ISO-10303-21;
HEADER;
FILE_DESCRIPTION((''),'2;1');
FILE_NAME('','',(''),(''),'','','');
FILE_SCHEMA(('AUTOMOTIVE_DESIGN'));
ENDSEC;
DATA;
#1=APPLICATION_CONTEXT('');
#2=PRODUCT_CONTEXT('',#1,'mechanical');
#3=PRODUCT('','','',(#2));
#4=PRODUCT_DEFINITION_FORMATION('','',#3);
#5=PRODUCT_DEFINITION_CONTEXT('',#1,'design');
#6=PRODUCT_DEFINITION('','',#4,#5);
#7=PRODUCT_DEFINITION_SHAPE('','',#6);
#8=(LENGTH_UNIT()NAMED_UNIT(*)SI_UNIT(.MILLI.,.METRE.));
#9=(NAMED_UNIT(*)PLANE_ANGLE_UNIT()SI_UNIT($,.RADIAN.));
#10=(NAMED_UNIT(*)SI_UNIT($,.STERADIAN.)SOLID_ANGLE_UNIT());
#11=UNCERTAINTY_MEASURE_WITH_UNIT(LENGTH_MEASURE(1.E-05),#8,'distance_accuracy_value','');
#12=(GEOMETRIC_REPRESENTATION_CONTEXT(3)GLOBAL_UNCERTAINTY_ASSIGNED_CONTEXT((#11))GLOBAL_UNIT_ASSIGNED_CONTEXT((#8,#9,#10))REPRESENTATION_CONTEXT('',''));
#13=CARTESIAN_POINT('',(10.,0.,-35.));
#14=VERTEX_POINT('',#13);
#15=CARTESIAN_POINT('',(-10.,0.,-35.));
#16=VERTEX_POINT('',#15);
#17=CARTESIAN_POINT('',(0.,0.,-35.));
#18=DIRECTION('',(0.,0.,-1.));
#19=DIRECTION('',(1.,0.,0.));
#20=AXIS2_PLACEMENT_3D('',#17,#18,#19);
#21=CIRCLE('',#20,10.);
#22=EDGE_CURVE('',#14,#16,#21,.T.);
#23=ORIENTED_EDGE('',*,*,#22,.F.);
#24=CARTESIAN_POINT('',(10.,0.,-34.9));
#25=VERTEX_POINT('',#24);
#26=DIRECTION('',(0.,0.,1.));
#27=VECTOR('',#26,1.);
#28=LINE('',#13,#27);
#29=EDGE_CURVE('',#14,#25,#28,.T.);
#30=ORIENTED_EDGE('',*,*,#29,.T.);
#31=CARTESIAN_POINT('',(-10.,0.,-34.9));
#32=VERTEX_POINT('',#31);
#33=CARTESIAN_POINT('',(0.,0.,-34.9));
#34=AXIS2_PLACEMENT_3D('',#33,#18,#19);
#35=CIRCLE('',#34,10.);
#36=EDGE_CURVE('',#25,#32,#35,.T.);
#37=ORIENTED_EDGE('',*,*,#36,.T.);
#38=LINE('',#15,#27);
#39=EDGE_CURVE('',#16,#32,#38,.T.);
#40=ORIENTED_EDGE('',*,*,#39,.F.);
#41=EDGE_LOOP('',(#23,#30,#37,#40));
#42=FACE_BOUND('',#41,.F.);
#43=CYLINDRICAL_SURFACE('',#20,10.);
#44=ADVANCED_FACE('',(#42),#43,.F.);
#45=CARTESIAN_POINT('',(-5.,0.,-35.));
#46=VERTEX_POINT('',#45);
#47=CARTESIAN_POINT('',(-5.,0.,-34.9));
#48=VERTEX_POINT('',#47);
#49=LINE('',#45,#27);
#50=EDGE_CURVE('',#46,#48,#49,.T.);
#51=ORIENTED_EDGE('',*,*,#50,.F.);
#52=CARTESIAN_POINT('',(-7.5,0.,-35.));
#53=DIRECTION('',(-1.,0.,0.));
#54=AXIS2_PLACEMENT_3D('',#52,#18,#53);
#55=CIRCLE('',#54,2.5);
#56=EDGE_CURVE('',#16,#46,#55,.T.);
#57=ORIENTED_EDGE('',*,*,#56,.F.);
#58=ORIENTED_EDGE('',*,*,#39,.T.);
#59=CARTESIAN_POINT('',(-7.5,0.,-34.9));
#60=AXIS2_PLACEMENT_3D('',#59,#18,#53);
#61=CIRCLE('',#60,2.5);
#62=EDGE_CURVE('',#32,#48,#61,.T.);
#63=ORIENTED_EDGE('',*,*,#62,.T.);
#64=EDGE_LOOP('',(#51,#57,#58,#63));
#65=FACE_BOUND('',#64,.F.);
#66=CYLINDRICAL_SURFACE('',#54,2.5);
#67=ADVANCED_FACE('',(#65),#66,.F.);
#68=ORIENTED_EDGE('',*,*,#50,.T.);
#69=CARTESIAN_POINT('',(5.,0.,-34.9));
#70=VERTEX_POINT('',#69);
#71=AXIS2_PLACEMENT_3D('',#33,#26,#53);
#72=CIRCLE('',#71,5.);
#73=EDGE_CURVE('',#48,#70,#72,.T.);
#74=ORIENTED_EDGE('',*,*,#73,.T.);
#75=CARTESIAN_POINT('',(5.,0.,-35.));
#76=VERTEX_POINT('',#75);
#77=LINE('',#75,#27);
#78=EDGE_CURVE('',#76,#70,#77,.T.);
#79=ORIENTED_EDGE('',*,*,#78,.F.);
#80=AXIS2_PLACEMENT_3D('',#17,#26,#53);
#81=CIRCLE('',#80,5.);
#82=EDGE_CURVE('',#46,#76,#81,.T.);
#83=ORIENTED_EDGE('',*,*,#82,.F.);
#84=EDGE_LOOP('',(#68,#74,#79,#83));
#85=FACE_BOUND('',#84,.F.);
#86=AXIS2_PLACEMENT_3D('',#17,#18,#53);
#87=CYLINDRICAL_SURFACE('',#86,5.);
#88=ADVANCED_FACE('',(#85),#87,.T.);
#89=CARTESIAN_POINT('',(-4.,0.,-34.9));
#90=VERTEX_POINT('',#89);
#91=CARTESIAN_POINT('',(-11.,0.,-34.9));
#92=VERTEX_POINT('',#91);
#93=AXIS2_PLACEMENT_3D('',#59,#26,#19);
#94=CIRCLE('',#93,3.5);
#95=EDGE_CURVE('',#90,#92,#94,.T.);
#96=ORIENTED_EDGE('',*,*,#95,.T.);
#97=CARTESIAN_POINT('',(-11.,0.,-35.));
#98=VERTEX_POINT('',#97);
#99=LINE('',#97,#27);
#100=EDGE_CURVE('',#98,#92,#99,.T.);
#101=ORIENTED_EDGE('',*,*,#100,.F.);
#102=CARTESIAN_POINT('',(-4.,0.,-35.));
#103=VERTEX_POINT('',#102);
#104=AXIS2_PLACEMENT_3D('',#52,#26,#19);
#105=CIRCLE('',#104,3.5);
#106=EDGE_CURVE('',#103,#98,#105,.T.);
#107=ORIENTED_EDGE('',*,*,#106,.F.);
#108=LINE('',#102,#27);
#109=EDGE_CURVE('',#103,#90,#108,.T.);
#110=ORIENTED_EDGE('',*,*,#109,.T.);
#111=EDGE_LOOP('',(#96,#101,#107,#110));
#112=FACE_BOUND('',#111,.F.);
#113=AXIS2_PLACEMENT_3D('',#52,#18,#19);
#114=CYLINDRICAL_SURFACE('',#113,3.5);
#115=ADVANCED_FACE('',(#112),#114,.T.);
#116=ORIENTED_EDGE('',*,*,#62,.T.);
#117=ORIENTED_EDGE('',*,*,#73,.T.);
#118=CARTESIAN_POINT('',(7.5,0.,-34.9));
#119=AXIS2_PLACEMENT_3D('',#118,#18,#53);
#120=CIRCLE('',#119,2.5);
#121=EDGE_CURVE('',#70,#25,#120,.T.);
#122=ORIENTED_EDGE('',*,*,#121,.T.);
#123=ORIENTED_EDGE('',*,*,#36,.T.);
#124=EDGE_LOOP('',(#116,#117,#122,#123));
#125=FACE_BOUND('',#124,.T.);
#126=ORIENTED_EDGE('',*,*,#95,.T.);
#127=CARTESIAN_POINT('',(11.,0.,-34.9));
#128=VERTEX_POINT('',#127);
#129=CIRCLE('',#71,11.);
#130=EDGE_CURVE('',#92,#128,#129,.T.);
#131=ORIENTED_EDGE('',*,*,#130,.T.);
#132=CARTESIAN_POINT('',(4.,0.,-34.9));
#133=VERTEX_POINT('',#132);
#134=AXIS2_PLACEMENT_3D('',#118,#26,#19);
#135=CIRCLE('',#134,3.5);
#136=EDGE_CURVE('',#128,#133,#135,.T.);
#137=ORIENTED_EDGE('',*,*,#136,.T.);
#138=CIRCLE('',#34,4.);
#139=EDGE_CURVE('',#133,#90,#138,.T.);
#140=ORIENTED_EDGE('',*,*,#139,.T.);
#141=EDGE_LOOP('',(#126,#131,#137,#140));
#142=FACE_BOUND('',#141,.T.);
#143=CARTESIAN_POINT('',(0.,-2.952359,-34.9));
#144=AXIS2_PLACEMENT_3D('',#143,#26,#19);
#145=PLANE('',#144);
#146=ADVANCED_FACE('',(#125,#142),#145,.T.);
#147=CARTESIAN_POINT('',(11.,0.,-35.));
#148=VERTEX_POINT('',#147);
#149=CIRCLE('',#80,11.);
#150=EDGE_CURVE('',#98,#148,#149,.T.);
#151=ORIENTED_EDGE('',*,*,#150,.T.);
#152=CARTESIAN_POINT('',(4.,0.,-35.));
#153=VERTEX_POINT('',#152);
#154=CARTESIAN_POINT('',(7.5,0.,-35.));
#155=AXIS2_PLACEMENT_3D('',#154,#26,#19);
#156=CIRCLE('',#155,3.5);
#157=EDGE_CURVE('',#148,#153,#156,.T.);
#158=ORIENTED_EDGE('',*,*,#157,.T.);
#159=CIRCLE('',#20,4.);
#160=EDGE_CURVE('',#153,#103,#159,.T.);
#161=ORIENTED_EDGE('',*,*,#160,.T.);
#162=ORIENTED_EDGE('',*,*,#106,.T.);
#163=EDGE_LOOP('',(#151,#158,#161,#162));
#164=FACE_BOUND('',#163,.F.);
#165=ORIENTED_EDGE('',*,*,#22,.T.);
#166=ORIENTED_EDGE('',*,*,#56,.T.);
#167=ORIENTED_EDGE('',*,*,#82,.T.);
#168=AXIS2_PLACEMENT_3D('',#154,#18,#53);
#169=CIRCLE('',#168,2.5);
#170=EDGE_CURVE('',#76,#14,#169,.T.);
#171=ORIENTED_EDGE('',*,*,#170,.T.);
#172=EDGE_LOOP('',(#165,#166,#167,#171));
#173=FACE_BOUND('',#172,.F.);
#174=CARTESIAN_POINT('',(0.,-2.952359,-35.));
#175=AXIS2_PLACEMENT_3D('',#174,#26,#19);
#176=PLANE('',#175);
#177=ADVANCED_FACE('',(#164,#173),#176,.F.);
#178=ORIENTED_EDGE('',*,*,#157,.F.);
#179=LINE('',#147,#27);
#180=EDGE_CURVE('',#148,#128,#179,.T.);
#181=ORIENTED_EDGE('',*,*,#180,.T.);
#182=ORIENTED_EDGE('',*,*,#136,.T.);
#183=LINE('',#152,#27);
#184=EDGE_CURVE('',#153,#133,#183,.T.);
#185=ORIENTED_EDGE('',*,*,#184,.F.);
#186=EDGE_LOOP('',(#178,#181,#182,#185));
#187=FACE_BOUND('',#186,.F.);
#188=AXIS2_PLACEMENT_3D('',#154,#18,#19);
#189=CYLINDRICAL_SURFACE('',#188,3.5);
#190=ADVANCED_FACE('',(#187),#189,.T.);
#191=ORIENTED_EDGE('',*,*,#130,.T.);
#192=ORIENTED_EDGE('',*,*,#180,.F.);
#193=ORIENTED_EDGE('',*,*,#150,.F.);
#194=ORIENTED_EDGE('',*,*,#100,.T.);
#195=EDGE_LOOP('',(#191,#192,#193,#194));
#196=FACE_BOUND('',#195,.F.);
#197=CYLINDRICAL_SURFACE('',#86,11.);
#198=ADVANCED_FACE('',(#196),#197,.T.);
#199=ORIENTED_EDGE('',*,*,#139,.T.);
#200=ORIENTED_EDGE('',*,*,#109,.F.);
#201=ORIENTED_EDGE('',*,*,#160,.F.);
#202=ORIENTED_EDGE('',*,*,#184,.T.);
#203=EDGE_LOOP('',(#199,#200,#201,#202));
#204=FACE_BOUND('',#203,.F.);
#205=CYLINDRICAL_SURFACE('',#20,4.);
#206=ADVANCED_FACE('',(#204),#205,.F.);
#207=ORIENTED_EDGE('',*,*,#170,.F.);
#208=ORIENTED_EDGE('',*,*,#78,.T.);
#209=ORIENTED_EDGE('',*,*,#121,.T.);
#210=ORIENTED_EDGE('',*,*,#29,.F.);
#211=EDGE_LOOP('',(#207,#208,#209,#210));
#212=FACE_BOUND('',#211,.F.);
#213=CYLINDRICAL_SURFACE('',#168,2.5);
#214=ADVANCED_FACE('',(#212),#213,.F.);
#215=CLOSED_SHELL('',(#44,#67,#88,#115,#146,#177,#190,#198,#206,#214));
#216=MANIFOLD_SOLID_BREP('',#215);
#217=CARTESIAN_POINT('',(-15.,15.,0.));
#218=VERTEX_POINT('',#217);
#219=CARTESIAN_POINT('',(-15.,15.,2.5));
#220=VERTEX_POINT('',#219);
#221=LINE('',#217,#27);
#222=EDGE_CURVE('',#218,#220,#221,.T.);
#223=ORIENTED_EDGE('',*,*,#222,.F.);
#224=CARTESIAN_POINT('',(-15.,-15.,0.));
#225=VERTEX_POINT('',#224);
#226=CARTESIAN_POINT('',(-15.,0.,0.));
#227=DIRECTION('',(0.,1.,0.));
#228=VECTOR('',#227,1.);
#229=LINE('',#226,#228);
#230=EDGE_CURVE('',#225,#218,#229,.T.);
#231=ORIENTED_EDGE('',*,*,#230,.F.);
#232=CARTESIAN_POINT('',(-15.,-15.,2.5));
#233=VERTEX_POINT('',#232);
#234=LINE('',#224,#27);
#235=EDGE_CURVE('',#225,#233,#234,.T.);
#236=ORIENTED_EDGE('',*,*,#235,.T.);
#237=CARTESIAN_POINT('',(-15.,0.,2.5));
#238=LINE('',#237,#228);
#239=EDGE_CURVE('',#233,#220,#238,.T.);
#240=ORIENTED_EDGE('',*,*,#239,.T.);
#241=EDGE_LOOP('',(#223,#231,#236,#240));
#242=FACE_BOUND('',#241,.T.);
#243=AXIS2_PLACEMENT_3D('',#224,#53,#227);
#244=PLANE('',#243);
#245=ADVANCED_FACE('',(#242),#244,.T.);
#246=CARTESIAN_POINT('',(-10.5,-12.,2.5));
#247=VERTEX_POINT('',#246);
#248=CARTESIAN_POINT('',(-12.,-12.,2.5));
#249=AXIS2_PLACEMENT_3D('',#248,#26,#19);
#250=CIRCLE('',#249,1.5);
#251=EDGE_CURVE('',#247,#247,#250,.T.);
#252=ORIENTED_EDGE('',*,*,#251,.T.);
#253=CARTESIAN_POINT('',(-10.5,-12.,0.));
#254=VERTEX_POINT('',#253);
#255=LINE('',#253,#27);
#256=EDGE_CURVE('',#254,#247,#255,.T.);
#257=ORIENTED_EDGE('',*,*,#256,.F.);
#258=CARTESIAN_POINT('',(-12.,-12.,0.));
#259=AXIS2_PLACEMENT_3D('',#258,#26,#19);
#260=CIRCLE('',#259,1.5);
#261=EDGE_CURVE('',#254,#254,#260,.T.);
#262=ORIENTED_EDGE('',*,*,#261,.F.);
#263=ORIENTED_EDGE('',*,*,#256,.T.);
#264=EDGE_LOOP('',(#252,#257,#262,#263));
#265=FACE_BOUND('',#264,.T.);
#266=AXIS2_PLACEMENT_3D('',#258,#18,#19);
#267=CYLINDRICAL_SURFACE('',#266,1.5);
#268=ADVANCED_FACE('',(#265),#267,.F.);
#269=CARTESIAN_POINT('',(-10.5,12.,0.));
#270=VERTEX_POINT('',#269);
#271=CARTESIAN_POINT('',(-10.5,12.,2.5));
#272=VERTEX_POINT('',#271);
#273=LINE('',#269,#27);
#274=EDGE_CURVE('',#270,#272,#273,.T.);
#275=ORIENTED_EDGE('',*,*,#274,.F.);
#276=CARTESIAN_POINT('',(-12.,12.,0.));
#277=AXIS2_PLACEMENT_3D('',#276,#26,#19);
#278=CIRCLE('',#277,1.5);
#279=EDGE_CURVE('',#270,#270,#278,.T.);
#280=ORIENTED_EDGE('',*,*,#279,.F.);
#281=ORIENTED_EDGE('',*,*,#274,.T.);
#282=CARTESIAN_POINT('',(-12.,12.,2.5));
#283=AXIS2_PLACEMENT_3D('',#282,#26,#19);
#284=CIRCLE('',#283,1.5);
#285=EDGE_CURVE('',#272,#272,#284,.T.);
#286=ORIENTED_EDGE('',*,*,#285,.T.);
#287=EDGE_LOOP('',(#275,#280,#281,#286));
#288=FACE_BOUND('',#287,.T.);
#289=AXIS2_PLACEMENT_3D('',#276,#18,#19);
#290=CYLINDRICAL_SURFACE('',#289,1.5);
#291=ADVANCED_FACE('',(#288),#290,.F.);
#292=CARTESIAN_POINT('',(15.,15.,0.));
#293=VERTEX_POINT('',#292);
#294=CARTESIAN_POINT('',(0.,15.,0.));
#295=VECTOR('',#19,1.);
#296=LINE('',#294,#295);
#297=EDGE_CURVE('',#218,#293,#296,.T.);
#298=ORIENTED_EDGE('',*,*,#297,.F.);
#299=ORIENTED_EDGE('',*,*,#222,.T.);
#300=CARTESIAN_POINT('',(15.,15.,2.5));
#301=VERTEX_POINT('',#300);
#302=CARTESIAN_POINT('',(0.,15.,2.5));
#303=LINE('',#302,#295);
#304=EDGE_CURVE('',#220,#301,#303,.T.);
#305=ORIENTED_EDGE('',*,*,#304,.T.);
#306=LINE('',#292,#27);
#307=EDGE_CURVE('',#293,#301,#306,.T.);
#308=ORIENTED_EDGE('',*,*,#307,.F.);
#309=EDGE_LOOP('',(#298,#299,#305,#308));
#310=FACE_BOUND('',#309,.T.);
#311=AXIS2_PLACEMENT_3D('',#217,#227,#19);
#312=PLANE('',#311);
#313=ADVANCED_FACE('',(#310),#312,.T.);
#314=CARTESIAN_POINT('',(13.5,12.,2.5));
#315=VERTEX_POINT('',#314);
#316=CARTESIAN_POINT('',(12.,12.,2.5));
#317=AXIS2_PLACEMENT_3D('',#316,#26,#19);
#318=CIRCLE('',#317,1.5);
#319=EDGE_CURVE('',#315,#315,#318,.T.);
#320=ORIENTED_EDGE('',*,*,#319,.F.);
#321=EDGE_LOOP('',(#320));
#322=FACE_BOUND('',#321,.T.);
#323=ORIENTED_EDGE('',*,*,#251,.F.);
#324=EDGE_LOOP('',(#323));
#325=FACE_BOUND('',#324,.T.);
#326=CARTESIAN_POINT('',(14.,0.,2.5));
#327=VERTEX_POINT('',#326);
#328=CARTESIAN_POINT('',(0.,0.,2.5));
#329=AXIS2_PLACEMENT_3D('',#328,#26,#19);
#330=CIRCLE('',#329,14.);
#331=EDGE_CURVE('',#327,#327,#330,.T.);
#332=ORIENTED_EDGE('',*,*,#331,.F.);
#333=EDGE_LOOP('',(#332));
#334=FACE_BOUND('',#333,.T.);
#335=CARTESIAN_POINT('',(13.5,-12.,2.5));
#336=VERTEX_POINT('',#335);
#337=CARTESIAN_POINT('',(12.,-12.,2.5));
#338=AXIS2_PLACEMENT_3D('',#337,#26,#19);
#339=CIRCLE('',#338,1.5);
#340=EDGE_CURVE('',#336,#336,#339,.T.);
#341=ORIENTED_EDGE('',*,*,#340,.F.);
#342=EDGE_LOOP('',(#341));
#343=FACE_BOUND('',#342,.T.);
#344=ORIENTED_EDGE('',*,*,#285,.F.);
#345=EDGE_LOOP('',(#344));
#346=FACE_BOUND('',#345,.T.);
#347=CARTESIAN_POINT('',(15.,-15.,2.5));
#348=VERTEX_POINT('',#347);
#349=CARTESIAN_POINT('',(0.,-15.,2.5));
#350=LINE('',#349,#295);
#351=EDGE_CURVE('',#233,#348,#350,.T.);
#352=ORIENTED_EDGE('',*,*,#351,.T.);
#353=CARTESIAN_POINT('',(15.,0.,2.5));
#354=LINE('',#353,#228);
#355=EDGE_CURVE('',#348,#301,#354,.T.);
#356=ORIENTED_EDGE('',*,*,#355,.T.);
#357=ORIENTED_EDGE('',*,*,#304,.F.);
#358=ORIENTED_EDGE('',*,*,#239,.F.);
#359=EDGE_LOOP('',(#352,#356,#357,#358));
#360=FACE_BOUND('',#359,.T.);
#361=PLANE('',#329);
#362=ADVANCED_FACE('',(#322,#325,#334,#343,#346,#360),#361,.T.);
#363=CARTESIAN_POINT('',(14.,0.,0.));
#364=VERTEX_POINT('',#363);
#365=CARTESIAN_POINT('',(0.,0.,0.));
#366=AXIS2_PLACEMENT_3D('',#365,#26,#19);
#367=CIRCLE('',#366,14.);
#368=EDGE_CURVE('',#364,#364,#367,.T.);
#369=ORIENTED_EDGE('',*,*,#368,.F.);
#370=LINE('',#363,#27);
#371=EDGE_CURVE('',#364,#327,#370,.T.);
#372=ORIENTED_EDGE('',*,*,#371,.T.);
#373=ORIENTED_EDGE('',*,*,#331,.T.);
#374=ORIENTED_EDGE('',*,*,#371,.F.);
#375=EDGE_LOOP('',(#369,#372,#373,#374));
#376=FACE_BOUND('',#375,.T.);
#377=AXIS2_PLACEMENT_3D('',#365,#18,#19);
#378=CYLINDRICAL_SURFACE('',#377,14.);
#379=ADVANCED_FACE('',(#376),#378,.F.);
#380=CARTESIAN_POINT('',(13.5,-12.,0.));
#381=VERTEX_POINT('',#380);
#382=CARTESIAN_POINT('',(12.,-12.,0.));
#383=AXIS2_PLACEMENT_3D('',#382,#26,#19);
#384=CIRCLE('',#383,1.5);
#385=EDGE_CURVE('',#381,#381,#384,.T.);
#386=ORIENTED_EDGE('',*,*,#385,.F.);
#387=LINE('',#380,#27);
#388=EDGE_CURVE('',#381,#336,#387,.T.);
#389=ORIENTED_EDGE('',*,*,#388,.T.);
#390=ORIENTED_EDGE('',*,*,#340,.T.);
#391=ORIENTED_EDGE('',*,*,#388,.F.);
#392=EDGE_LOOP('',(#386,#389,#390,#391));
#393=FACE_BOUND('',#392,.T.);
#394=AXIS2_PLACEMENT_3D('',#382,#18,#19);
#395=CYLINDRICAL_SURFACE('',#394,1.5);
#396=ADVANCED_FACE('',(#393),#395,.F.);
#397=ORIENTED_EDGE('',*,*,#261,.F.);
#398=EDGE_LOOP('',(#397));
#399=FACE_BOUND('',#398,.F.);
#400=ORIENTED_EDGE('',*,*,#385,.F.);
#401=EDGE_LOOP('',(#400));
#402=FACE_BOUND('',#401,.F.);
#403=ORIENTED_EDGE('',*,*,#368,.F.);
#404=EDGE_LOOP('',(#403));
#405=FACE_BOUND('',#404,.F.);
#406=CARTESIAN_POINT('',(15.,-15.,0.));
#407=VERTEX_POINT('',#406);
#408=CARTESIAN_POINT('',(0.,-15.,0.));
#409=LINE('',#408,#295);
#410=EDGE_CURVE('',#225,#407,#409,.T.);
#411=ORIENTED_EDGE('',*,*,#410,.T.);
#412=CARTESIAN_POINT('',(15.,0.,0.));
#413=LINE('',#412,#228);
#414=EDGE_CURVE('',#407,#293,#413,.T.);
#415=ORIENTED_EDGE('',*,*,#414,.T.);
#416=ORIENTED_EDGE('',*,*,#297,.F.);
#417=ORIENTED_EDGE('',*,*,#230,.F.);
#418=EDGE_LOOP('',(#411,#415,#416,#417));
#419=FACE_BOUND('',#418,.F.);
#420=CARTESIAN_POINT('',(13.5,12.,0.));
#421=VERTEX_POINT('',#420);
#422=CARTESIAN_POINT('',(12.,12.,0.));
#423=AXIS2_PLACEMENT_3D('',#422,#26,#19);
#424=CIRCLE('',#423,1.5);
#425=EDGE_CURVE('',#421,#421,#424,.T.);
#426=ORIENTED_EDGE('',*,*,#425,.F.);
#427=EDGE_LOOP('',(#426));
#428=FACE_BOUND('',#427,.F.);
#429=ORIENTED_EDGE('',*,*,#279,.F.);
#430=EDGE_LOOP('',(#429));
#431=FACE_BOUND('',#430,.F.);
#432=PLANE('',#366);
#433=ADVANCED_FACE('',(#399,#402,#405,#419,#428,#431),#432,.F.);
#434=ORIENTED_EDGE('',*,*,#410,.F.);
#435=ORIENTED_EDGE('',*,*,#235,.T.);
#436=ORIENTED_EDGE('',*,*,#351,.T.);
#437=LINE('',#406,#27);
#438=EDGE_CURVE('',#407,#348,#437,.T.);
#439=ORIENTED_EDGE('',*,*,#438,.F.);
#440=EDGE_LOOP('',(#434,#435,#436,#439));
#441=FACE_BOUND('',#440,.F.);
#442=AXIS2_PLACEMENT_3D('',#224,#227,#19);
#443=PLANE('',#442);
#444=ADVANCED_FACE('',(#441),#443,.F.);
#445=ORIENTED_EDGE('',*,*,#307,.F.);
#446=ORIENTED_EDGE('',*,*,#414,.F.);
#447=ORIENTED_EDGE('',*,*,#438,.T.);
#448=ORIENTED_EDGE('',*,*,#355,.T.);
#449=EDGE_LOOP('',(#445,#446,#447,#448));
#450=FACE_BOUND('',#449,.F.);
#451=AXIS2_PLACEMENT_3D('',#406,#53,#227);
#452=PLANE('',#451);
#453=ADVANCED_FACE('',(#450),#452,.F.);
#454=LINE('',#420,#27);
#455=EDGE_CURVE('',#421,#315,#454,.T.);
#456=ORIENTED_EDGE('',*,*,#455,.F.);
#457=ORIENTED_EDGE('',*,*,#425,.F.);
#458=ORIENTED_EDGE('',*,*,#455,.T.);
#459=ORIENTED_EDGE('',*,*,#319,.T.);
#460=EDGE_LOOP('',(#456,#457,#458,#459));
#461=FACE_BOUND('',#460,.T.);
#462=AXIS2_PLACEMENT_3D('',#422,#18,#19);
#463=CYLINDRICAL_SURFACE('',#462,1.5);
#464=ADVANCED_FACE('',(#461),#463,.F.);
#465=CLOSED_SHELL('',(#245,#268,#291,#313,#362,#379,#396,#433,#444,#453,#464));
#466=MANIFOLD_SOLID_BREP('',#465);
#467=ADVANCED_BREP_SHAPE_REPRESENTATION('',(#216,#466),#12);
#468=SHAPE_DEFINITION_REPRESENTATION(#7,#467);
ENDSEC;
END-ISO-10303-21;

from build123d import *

# Parameters (mm, degrees)
F0_W     = 30
F0_H     = 30
F0_R     = 1.5
F0_R_2   = 14
F1_DEPTH = 2.5
F4_DEPTH = 0.1


with BuildPart() as f1:
    # F0 (on Top) → F1 (new body)
    with BuildSketch(Plane.XY):
        Rectangle(F0_W, F0_H)
        with Locations((-12, -12)):
            Circle(F0_R, mode=Mode.SUBTRACT)
        with Locations((12, -12)):
            Circle(F0_R, mode=Mode.SUBTRACT)
        with Locations((-12, 12)):
            Circle(F0_R, mode=Mode.SUBTRACT)
        Circle(F0_R_2, mode=Mode.SUBTRACT)
        with Locations((12, 12)):
            Circle(F0_R, mode=Mode.SUBTRACT)
    extrude(amount=F1_DEPTH)


with BuildPart() as f4:
    # F3 (on offset) → F4 (new body)
    with BuildSketch(Plane.XY.offset(-35)):
        with BuildLine():
            ThreePointArc((-4, 0), (-7.5, 3.5), (-11, 0))
            ThreePointArc((-11, 0), (0, -11), (11, 0))
            ThreePointArc((11, 0), (7.5, 3.5), (4, 0))
            ThreePointArc((4, 0), (0, -4), (-4, 0))
        make_face()
        with BuildLine():
            ThreePointArc((10, 0), (0, -10), (-10, 0))
            ThreePointArc((-10, 0), (-7.5, 2.5), (-5, 0))
            ThreePointArc((-5, 0), (0, -5), (5, 0))
            ThreePointArc((5, 0), (7.5, 2.5), (10, 0))
        make_face(mode=Mode.SUBTRACT)
    extrude(amount=F4_DEPTH)


solid = Compound([f1.part, f4.part])
